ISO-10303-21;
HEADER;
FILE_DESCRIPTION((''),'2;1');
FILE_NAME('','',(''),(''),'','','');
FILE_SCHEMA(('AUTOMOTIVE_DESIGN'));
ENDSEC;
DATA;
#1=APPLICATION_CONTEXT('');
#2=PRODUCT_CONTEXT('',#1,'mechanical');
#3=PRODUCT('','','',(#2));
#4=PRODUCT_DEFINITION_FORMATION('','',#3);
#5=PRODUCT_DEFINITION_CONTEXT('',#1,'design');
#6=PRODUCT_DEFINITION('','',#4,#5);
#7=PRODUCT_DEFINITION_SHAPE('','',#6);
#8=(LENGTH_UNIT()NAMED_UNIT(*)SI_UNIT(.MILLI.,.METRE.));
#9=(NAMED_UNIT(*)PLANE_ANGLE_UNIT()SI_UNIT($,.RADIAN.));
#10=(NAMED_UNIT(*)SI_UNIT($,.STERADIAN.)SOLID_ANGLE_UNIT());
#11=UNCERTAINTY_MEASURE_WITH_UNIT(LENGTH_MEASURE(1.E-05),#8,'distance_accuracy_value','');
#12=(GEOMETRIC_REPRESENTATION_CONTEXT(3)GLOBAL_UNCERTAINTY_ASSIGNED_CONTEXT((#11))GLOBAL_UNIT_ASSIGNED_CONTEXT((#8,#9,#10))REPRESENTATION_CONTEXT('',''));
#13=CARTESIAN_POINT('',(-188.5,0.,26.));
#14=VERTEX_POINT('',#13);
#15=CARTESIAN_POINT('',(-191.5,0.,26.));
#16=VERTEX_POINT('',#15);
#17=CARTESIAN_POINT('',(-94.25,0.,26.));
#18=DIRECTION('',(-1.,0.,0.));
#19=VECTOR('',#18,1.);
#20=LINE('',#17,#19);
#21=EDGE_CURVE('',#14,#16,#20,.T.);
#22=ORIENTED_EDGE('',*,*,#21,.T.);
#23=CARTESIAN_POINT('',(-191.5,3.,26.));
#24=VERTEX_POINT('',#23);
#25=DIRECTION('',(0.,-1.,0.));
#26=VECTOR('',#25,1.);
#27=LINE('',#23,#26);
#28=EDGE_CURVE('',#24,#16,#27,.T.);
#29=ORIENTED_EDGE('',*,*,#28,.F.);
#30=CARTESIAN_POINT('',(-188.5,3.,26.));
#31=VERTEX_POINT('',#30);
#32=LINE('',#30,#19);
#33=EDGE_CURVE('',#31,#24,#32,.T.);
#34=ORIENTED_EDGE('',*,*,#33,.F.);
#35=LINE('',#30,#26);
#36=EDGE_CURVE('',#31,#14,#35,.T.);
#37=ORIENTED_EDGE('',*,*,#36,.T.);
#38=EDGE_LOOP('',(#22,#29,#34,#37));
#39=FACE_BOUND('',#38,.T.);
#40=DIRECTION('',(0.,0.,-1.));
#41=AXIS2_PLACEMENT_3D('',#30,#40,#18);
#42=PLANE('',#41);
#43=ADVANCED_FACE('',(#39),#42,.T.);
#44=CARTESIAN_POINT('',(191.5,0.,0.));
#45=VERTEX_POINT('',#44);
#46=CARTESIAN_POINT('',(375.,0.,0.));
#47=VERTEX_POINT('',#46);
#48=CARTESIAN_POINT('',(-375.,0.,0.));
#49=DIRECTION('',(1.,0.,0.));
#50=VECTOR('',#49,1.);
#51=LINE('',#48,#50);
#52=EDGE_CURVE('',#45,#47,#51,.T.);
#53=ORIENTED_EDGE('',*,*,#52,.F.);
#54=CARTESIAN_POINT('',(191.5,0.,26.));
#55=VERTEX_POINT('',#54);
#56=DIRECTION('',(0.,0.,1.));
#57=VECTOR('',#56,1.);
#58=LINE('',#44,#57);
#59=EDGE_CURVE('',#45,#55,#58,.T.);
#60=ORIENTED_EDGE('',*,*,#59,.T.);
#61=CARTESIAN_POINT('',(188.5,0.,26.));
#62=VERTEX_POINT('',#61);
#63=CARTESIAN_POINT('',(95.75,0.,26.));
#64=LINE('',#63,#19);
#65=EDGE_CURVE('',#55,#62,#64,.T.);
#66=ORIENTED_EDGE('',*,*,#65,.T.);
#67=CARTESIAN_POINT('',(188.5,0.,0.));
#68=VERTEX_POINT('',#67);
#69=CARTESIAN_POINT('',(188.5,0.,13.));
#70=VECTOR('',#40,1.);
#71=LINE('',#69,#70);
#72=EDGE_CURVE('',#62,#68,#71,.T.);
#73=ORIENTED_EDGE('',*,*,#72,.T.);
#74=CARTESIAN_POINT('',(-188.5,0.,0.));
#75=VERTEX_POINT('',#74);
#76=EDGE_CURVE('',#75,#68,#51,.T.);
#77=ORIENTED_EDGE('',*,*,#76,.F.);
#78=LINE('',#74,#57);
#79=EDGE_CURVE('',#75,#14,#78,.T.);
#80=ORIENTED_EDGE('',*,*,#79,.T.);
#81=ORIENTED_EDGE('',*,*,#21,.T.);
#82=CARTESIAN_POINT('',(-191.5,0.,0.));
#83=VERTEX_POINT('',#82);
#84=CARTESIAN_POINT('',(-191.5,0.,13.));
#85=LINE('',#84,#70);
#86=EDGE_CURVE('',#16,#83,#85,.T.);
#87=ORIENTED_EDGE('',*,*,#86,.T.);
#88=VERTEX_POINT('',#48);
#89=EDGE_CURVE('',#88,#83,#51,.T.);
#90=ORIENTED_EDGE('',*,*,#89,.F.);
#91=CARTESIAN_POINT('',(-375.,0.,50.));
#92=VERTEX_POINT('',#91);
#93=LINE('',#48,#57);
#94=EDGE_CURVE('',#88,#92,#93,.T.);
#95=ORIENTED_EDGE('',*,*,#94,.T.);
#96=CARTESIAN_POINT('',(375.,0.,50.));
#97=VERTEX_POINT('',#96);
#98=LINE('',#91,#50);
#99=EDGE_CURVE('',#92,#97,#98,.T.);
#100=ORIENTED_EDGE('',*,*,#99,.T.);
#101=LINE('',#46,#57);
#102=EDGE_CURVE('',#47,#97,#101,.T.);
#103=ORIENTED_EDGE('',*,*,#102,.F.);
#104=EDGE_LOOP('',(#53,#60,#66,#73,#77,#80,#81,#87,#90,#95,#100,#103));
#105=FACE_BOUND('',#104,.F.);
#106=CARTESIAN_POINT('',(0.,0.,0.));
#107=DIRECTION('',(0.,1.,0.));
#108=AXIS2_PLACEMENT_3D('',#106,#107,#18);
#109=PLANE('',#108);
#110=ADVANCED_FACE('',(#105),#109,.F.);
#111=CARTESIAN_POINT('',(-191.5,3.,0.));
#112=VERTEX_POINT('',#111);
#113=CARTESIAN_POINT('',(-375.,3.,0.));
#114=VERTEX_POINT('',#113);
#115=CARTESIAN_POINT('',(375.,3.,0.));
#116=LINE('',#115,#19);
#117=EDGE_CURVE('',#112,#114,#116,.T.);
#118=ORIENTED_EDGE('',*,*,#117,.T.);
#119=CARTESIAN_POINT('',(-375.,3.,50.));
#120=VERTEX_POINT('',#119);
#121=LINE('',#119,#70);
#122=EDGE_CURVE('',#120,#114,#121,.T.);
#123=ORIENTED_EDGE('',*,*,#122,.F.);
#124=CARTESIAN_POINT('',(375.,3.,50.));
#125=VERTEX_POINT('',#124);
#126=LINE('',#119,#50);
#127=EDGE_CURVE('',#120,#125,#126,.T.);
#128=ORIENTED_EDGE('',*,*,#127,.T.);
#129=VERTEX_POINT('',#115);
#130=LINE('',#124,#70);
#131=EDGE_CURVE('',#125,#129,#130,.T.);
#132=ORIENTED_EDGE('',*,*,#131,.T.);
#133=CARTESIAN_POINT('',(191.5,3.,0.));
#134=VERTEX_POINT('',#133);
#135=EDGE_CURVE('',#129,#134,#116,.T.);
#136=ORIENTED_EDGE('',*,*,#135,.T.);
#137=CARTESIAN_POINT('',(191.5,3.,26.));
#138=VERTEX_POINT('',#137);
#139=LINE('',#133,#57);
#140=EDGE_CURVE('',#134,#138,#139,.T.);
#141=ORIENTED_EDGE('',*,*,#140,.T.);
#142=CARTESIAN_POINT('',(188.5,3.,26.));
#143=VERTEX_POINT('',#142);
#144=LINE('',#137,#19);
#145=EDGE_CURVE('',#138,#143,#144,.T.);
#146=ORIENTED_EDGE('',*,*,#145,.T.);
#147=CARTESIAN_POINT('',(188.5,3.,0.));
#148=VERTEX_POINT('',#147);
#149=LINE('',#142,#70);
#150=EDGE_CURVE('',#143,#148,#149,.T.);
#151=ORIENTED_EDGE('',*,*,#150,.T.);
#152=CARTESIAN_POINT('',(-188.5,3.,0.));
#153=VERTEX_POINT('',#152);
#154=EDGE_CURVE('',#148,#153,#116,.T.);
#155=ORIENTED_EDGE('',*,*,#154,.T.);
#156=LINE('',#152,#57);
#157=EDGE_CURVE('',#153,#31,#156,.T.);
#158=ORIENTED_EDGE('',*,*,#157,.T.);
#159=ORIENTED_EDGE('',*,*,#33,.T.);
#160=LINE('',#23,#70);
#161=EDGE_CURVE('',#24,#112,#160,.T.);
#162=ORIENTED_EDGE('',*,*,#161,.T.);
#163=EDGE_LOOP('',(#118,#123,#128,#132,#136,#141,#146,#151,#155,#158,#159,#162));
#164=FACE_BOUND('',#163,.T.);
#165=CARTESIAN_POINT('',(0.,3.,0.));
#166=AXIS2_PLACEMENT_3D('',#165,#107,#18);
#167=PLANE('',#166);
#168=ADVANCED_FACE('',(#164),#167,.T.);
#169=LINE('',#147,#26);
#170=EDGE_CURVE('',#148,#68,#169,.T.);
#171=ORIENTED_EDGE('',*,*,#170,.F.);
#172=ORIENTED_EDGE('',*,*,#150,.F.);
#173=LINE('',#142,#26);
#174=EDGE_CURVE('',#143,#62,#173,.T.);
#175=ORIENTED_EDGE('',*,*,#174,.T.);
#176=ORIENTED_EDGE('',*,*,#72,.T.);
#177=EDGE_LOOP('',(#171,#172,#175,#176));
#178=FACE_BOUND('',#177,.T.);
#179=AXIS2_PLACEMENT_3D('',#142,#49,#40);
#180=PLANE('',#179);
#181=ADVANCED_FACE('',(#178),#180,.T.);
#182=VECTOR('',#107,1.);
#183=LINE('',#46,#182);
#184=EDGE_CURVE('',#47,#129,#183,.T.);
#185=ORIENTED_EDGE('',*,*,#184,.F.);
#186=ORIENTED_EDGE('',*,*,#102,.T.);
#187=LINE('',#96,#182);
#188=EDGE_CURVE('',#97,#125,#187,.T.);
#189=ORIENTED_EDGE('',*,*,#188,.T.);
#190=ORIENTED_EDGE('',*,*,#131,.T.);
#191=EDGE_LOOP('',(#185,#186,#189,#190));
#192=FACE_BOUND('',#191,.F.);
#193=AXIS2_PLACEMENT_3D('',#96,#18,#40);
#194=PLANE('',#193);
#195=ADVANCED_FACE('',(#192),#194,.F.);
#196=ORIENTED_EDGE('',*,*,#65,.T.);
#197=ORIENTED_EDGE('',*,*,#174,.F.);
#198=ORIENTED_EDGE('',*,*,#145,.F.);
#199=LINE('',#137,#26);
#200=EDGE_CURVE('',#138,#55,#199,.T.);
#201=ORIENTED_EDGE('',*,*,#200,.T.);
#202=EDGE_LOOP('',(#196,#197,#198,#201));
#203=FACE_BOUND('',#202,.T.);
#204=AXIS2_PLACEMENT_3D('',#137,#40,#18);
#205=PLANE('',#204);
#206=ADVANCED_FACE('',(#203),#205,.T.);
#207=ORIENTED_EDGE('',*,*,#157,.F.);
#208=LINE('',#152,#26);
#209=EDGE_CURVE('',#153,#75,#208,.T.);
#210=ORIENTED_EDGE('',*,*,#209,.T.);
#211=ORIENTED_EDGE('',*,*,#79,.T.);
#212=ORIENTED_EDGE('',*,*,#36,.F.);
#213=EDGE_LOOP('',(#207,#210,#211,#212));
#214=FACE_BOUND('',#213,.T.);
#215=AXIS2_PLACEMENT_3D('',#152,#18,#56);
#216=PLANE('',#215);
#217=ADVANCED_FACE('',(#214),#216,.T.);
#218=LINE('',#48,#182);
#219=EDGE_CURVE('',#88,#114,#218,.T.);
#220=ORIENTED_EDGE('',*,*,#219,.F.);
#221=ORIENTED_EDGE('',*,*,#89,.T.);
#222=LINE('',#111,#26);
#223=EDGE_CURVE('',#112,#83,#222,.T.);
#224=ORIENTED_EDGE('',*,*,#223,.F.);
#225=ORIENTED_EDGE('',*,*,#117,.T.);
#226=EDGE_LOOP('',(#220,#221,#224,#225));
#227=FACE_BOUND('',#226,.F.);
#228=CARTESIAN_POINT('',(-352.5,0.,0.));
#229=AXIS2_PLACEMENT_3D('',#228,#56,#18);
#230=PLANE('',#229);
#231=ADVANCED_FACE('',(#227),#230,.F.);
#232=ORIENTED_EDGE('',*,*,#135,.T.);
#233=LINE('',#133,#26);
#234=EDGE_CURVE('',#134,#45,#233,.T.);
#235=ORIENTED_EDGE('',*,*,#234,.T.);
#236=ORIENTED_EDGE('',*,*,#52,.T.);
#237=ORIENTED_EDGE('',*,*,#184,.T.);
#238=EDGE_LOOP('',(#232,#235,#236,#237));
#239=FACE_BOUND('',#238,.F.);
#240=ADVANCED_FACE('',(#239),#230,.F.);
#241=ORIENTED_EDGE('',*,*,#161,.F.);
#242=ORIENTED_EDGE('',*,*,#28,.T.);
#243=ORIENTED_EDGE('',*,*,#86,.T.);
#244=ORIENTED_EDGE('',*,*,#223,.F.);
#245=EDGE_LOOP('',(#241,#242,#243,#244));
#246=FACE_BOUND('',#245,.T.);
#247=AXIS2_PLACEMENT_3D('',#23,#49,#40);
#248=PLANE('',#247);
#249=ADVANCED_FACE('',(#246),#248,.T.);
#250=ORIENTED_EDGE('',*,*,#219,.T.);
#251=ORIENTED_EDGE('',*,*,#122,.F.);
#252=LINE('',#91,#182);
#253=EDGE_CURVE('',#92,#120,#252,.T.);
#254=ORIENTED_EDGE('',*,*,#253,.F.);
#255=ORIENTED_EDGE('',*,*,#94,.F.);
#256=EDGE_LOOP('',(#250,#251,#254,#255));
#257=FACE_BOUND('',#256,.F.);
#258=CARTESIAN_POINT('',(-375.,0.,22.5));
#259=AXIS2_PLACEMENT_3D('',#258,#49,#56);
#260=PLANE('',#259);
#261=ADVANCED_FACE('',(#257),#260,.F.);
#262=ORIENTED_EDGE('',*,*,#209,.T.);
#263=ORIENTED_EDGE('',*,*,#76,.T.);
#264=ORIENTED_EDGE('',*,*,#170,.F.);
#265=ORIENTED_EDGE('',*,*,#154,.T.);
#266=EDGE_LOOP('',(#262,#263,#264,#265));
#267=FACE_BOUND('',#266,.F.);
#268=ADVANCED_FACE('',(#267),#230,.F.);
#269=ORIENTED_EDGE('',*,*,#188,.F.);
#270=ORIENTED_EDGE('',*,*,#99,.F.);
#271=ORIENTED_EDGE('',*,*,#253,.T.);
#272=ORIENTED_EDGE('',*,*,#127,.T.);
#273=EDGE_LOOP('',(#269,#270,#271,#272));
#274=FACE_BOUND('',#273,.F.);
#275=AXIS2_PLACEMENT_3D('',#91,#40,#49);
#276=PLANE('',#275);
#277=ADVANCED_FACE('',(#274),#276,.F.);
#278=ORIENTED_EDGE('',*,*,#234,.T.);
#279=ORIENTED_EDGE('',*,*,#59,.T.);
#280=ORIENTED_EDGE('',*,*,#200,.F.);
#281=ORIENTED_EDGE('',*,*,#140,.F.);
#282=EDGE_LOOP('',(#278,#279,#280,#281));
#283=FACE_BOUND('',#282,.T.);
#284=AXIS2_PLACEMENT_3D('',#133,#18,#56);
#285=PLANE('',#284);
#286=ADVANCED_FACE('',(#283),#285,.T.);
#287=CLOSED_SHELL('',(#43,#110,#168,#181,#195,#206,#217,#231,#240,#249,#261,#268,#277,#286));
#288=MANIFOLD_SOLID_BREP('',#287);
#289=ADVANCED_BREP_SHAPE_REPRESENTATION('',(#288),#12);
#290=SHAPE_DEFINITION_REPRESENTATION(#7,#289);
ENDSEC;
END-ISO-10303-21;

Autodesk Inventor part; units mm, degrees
ref_plane "YZ Plane" through (0, 0, 0) normal (1, 0, 0) x (0, 1, 0)
ref_plane "XZ Plane" through (0, 0, 0) normal (0, 1, 0) x (-1, 0, 0)
ref_plane "XY Plane" through (0, 0, 0) normal (0, 0, 1) x (1, 0, 0)
sketch "Sketch2" plane through (0, 0, 0) normal (0, 1, 0) x (-1, 0, 0)
  line L0 (375, 50) -> (-375, 50)
  line L1 (-375, 50) -> (-375, 0)
  line L2 (-375, 0) -> (375, 0)
  line L3 (375, 0) -> (375, 50)
  circle A0 centre (-375, 0) radius 22.5
  circle A1 centre (375, 0) radius 22.5
  point P0 (0, 0)
  point P1 (0, 0)
  point P2 (-375, 22.5)
  point P3 (-352.5, 0)
  point P4 (352.5, 0)
  point P5 (375, 22.5)
  dimension "d18" = 750
  dimension "d19" = 50
  dimension "d20" = 45
extrude "Plate2" add sketch "Sketch2" along normal blind 3 contours L3 A1 L2 A0 L1 L0 | L3 L2 A1 | A0 L2 L1 picked at (360.188, 1.6689) picked at (-360.9308, 4.923)
sketch "Sketch3" plane through (0, 3, 0) normal (0, 1, 0) x (1, 0, 0)
  line L0 (-190, 0) -> (-190, -50) construction
  line L1 (-375, -50) -> (375, -50) projected
  line L2 (-375, -50) -> (-375, 0) projected
  line L3 (-191.5, 0) -> (-188.5, 0)
  line L4 (-188.5, 0) -> (-188.5, -26)
  line L5 (-188.5, -26) -> (-191.5, -26)
  line L6 (-191.5, -26) -> (-191.5, 0)
  line L7 (-375, 0) -> (375, 0) projected
  line L8 (375, 0) -> (-375, 0) projected
  line L9 (190, 0) -> (190, -50) construction
  line L10 (191.5, -26) -> (188.5, -26)
  line L11 (188.5, -26) -> (188.5, 0)
  line L12 (188.5, 0) -> (191.5, 0)
  line L13 (191.5, 0) -> (191.5, -26)
  point P0 (0, 0)
  point P1 (-330, -22.5)
  point P2 (-307.5, 0)
  point P3 (307.5, 0)
  point P4 (0, 0)
  point P5 (0, 0)
  point P6 (188.5, 0)
  dimension "d23" = 3
  dimension "d24" = 26
  dimension "d30" = 190
  dimension "d31" = 190
  dimension "d32" = 3
  dimension "d33" = 26
extrude "Extrusion1" cut sketch "Sketch3" against normal through all
equation "\"d23\" = Thickness"
equation "\"d31\" = d30"
equation "\"d32\" = Thickness"
equation "\"d33\" = d24"
equation "\"d21\" = Thickness"
equation "\"BendReliefWidth\" = Thickness"
equation "\"BendReliefDepth\" = 0.5 * Thickness"
equation "\"CornerReliefSize\" = 4 * Thickness"
equation "\"MinimumRemnant\" = 2 * Thickness"
equation "\"TransitionRadius\" = BendRadius"
equation "\"JacobiRadiusSize\" = BendRadius"
equation "\"GapSize\" = Thickness"
equation "\"Thickness\" = 3"
equation "\"BendRadius\" = 5"
properties part number "MSC 107 rib cone" material "Stainless Steel"
